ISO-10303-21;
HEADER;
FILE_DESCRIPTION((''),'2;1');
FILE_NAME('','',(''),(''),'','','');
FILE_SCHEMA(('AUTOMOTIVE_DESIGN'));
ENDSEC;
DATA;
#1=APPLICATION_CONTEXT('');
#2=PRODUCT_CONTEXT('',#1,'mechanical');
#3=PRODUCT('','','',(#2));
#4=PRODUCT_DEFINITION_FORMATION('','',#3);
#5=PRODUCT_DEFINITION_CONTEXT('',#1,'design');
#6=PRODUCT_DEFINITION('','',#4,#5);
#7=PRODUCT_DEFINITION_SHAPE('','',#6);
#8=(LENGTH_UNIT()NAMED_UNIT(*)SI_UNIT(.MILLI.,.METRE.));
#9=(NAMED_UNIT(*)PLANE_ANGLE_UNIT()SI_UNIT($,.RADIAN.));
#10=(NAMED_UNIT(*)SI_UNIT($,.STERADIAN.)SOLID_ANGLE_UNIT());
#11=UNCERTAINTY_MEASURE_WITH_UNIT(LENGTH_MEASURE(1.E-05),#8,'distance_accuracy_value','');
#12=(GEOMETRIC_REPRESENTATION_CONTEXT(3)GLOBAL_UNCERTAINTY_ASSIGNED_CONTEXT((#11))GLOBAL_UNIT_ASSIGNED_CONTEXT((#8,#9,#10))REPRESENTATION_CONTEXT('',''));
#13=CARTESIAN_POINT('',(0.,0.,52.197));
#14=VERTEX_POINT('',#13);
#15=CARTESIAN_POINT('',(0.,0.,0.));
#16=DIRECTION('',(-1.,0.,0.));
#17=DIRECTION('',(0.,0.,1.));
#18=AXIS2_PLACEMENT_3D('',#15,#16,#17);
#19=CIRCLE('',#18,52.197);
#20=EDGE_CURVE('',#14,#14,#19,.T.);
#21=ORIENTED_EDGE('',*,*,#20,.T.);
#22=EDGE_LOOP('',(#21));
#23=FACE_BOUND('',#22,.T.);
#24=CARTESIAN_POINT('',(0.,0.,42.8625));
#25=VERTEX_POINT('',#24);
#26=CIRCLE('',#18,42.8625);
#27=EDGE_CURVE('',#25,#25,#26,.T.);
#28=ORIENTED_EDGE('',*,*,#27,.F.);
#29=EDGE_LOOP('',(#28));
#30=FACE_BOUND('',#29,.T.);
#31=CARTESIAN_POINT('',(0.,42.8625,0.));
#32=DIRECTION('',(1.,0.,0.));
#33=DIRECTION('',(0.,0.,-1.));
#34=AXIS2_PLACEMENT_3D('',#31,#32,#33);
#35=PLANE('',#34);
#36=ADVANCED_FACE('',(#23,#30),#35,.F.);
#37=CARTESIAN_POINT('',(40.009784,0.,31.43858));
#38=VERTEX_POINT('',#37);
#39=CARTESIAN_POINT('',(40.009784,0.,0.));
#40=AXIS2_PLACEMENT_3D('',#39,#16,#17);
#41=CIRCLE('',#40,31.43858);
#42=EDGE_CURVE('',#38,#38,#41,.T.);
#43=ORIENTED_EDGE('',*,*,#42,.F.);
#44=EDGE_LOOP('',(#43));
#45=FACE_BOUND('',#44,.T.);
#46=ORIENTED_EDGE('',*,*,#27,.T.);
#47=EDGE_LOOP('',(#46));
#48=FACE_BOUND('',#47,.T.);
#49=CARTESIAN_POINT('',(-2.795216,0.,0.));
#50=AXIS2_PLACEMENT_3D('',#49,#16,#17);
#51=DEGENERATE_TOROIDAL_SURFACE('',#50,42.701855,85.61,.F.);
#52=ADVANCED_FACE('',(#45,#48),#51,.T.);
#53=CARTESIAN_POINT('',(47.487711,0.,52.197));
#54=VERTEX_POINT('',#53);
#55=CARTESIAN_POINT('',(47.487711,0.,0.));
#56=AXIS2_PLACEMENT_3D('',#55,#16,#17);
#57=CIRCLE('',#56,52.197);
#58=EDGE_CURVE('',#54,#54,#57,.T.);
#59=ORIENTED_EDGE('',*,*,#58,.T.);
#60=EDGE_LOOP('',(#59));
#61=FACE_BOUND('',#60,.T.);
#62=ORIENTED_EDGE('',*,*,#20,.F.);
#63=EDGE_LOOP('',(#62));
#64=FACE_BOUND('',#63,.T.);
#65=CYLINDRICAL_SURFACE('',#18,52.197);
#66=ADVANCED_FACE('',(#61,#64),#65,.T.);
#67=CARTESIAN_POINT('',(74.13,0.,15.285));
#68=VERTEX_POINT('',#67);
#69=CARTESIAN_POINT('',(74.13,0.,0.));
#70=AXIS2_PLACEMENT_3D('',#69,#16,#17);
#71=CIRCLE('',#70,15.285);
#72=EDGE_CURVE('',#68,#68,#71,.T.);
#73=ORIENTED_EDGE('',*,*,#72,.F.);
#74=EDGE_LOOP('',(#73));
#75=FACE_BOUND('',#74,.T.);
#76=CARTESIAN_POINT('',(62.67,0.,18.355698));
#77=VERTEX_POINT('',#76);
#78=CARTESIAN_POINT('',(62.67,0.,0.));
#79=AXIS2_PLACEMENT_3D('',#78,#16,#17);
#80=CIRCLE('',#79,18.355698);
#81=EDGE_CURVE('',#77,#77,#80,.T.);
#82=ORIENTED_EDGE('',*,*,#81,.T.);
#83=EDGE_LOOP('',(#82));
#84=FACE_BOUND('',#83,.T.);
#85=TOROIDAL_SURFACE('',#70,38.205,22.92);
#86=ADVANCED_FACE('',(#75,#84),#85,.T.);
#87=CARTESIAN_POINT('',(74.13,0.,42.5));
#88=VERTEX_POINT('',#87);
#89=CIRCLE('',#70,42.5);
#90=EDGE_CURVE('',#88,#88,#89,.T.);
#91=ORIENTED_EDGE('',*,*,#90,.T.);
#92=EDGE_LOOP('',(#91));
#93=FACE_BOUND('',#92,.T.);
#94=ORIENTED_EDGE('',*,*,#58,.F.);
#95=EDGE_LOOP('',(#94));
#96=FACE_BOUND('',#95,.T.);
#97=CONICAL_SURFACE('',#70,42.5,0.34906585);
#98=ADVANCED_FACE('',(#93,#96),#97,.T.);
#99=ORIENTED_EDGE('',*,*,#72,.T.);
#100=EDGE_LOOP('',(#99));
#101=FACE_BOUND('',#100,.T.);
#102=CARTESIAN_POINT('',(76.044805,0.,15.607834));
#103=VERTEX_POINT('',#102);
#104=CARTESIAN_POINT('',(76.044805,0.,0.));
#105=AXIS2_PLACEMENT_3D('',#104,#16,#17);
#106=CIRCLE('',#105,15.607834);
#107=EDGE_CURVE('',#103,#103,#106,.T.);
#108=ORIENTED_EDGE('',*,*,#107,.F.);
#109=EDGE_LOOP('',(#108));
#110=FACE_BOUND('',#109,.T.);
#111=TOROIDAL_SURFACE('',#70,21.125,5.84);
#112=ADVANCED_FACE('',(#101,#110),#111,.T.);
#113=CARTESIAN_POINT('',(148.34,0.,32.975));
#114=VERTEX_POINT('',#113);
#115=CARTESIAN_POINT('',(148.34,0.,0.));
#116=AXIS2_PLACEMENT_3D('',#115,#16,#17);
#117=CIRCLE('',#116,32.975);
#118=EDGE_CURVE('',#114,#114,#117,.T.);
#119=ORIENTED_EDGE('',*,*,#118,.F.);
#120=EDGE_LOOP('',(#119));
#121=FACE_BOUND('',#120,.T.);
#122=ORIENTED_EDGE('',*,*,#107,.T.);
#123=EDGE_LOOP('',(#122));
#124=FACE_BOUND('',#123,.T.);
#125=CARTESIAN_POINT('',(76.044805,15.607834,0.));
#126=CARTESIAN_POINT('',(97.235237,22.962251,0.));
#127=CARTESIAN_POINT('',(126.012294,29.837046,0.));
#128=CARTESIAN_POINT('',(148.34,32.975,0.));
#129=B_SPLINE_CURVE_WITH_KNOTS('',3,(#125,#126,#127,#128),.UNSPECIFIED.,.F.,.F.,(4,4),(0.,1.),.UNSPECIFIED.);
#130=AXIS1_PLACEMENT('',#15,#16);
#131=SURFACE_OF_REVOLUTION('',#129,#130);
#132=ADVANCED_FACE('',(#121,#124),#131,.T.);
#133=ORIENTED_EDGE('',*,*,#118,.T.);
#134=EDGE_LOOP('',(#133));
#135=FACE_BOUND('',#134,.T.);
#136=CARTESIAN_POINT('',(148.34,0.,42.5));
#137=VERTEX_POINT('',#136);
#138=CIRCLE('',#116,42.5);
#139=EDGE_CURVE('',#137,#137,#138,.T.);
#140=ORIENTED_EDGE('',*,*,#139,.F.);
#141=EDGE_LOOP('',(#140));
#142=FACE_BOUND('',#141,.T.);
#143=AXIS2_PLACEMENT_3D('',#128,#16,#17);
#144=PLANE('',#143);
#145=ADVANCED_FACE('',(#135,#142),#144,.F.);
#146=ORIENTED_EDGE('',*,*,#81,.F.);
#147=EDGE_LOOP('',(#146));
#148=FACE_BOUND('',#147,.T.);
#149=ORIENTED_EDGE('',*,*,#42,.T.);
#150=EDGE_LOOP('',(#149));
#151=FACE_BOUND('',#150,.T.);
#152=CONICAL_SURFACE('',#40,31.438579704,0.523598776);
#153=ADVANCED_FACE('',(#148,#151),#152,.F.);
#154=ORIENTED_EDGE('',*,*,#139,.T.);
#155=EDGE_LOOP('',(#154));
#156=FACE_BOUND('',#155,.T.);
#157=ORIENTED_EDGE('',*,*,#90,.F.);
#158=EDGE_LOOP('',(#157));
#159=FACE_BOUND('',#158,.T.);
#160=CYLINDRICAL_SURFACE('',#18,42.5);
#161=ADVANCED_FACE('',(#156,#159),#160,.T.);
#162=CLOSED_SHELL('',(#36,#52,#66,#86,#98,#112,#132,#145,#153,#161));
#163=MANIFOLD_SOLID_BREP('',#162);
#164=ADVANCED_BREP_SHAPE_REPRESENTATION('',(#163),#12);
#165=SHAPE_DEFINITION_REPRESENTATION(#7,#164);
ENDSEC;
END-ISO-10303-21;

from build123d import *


with BuildPart() as part:
    # Sketch1 → Revolve1 (revolve)
    with BuildSketch(Plane.XY, mode=Mode.PRIVATE) as revolve1_sk:
        with BuildLine():
            Line((40.009783738, 31.438579704), (62.67, 18.355697745))
            ThreePointArc((62.67, 18.355697745), (68.197867486, 16.065980061), (74.13, 15.285))
            ThreePointArc((74.13, 15.285), (75.100914352, 15.366273985), (76.044804705, 15.607833794))
            add(Edge.make_bspline(
                [(76.044804705, 15.607833794), (97.235237256, 22.962250615), (126.012294015, 29.837045564), (148.34, 32.975)],
                knots=[0, 0, 0, 0, 1, 1, 1, 1], degree=3))
            Line((148.34, 32.975), (148.34, 42.5))
            Line((148.34, 42.5), (74.13, 42.5))
            Line((74.13, 42.5), (47.487711464, 52.197))
            Line((47.487711464, 52.197), (0, 52.197))
            Line((0, 52.197), (0, 42.8625))
            ThreePointArc((0, 42.8625), (20.709494319, 39.618255919), (40.009783738, 31.438579704))
        make_face()
    revolve(revolve1_sk.sketch.rotate(Axis((0, 0, 0), (1, 0, 0)), 90), axis=Axis((0, 0, 0), (1, 0, 0)))


solid = part.part
